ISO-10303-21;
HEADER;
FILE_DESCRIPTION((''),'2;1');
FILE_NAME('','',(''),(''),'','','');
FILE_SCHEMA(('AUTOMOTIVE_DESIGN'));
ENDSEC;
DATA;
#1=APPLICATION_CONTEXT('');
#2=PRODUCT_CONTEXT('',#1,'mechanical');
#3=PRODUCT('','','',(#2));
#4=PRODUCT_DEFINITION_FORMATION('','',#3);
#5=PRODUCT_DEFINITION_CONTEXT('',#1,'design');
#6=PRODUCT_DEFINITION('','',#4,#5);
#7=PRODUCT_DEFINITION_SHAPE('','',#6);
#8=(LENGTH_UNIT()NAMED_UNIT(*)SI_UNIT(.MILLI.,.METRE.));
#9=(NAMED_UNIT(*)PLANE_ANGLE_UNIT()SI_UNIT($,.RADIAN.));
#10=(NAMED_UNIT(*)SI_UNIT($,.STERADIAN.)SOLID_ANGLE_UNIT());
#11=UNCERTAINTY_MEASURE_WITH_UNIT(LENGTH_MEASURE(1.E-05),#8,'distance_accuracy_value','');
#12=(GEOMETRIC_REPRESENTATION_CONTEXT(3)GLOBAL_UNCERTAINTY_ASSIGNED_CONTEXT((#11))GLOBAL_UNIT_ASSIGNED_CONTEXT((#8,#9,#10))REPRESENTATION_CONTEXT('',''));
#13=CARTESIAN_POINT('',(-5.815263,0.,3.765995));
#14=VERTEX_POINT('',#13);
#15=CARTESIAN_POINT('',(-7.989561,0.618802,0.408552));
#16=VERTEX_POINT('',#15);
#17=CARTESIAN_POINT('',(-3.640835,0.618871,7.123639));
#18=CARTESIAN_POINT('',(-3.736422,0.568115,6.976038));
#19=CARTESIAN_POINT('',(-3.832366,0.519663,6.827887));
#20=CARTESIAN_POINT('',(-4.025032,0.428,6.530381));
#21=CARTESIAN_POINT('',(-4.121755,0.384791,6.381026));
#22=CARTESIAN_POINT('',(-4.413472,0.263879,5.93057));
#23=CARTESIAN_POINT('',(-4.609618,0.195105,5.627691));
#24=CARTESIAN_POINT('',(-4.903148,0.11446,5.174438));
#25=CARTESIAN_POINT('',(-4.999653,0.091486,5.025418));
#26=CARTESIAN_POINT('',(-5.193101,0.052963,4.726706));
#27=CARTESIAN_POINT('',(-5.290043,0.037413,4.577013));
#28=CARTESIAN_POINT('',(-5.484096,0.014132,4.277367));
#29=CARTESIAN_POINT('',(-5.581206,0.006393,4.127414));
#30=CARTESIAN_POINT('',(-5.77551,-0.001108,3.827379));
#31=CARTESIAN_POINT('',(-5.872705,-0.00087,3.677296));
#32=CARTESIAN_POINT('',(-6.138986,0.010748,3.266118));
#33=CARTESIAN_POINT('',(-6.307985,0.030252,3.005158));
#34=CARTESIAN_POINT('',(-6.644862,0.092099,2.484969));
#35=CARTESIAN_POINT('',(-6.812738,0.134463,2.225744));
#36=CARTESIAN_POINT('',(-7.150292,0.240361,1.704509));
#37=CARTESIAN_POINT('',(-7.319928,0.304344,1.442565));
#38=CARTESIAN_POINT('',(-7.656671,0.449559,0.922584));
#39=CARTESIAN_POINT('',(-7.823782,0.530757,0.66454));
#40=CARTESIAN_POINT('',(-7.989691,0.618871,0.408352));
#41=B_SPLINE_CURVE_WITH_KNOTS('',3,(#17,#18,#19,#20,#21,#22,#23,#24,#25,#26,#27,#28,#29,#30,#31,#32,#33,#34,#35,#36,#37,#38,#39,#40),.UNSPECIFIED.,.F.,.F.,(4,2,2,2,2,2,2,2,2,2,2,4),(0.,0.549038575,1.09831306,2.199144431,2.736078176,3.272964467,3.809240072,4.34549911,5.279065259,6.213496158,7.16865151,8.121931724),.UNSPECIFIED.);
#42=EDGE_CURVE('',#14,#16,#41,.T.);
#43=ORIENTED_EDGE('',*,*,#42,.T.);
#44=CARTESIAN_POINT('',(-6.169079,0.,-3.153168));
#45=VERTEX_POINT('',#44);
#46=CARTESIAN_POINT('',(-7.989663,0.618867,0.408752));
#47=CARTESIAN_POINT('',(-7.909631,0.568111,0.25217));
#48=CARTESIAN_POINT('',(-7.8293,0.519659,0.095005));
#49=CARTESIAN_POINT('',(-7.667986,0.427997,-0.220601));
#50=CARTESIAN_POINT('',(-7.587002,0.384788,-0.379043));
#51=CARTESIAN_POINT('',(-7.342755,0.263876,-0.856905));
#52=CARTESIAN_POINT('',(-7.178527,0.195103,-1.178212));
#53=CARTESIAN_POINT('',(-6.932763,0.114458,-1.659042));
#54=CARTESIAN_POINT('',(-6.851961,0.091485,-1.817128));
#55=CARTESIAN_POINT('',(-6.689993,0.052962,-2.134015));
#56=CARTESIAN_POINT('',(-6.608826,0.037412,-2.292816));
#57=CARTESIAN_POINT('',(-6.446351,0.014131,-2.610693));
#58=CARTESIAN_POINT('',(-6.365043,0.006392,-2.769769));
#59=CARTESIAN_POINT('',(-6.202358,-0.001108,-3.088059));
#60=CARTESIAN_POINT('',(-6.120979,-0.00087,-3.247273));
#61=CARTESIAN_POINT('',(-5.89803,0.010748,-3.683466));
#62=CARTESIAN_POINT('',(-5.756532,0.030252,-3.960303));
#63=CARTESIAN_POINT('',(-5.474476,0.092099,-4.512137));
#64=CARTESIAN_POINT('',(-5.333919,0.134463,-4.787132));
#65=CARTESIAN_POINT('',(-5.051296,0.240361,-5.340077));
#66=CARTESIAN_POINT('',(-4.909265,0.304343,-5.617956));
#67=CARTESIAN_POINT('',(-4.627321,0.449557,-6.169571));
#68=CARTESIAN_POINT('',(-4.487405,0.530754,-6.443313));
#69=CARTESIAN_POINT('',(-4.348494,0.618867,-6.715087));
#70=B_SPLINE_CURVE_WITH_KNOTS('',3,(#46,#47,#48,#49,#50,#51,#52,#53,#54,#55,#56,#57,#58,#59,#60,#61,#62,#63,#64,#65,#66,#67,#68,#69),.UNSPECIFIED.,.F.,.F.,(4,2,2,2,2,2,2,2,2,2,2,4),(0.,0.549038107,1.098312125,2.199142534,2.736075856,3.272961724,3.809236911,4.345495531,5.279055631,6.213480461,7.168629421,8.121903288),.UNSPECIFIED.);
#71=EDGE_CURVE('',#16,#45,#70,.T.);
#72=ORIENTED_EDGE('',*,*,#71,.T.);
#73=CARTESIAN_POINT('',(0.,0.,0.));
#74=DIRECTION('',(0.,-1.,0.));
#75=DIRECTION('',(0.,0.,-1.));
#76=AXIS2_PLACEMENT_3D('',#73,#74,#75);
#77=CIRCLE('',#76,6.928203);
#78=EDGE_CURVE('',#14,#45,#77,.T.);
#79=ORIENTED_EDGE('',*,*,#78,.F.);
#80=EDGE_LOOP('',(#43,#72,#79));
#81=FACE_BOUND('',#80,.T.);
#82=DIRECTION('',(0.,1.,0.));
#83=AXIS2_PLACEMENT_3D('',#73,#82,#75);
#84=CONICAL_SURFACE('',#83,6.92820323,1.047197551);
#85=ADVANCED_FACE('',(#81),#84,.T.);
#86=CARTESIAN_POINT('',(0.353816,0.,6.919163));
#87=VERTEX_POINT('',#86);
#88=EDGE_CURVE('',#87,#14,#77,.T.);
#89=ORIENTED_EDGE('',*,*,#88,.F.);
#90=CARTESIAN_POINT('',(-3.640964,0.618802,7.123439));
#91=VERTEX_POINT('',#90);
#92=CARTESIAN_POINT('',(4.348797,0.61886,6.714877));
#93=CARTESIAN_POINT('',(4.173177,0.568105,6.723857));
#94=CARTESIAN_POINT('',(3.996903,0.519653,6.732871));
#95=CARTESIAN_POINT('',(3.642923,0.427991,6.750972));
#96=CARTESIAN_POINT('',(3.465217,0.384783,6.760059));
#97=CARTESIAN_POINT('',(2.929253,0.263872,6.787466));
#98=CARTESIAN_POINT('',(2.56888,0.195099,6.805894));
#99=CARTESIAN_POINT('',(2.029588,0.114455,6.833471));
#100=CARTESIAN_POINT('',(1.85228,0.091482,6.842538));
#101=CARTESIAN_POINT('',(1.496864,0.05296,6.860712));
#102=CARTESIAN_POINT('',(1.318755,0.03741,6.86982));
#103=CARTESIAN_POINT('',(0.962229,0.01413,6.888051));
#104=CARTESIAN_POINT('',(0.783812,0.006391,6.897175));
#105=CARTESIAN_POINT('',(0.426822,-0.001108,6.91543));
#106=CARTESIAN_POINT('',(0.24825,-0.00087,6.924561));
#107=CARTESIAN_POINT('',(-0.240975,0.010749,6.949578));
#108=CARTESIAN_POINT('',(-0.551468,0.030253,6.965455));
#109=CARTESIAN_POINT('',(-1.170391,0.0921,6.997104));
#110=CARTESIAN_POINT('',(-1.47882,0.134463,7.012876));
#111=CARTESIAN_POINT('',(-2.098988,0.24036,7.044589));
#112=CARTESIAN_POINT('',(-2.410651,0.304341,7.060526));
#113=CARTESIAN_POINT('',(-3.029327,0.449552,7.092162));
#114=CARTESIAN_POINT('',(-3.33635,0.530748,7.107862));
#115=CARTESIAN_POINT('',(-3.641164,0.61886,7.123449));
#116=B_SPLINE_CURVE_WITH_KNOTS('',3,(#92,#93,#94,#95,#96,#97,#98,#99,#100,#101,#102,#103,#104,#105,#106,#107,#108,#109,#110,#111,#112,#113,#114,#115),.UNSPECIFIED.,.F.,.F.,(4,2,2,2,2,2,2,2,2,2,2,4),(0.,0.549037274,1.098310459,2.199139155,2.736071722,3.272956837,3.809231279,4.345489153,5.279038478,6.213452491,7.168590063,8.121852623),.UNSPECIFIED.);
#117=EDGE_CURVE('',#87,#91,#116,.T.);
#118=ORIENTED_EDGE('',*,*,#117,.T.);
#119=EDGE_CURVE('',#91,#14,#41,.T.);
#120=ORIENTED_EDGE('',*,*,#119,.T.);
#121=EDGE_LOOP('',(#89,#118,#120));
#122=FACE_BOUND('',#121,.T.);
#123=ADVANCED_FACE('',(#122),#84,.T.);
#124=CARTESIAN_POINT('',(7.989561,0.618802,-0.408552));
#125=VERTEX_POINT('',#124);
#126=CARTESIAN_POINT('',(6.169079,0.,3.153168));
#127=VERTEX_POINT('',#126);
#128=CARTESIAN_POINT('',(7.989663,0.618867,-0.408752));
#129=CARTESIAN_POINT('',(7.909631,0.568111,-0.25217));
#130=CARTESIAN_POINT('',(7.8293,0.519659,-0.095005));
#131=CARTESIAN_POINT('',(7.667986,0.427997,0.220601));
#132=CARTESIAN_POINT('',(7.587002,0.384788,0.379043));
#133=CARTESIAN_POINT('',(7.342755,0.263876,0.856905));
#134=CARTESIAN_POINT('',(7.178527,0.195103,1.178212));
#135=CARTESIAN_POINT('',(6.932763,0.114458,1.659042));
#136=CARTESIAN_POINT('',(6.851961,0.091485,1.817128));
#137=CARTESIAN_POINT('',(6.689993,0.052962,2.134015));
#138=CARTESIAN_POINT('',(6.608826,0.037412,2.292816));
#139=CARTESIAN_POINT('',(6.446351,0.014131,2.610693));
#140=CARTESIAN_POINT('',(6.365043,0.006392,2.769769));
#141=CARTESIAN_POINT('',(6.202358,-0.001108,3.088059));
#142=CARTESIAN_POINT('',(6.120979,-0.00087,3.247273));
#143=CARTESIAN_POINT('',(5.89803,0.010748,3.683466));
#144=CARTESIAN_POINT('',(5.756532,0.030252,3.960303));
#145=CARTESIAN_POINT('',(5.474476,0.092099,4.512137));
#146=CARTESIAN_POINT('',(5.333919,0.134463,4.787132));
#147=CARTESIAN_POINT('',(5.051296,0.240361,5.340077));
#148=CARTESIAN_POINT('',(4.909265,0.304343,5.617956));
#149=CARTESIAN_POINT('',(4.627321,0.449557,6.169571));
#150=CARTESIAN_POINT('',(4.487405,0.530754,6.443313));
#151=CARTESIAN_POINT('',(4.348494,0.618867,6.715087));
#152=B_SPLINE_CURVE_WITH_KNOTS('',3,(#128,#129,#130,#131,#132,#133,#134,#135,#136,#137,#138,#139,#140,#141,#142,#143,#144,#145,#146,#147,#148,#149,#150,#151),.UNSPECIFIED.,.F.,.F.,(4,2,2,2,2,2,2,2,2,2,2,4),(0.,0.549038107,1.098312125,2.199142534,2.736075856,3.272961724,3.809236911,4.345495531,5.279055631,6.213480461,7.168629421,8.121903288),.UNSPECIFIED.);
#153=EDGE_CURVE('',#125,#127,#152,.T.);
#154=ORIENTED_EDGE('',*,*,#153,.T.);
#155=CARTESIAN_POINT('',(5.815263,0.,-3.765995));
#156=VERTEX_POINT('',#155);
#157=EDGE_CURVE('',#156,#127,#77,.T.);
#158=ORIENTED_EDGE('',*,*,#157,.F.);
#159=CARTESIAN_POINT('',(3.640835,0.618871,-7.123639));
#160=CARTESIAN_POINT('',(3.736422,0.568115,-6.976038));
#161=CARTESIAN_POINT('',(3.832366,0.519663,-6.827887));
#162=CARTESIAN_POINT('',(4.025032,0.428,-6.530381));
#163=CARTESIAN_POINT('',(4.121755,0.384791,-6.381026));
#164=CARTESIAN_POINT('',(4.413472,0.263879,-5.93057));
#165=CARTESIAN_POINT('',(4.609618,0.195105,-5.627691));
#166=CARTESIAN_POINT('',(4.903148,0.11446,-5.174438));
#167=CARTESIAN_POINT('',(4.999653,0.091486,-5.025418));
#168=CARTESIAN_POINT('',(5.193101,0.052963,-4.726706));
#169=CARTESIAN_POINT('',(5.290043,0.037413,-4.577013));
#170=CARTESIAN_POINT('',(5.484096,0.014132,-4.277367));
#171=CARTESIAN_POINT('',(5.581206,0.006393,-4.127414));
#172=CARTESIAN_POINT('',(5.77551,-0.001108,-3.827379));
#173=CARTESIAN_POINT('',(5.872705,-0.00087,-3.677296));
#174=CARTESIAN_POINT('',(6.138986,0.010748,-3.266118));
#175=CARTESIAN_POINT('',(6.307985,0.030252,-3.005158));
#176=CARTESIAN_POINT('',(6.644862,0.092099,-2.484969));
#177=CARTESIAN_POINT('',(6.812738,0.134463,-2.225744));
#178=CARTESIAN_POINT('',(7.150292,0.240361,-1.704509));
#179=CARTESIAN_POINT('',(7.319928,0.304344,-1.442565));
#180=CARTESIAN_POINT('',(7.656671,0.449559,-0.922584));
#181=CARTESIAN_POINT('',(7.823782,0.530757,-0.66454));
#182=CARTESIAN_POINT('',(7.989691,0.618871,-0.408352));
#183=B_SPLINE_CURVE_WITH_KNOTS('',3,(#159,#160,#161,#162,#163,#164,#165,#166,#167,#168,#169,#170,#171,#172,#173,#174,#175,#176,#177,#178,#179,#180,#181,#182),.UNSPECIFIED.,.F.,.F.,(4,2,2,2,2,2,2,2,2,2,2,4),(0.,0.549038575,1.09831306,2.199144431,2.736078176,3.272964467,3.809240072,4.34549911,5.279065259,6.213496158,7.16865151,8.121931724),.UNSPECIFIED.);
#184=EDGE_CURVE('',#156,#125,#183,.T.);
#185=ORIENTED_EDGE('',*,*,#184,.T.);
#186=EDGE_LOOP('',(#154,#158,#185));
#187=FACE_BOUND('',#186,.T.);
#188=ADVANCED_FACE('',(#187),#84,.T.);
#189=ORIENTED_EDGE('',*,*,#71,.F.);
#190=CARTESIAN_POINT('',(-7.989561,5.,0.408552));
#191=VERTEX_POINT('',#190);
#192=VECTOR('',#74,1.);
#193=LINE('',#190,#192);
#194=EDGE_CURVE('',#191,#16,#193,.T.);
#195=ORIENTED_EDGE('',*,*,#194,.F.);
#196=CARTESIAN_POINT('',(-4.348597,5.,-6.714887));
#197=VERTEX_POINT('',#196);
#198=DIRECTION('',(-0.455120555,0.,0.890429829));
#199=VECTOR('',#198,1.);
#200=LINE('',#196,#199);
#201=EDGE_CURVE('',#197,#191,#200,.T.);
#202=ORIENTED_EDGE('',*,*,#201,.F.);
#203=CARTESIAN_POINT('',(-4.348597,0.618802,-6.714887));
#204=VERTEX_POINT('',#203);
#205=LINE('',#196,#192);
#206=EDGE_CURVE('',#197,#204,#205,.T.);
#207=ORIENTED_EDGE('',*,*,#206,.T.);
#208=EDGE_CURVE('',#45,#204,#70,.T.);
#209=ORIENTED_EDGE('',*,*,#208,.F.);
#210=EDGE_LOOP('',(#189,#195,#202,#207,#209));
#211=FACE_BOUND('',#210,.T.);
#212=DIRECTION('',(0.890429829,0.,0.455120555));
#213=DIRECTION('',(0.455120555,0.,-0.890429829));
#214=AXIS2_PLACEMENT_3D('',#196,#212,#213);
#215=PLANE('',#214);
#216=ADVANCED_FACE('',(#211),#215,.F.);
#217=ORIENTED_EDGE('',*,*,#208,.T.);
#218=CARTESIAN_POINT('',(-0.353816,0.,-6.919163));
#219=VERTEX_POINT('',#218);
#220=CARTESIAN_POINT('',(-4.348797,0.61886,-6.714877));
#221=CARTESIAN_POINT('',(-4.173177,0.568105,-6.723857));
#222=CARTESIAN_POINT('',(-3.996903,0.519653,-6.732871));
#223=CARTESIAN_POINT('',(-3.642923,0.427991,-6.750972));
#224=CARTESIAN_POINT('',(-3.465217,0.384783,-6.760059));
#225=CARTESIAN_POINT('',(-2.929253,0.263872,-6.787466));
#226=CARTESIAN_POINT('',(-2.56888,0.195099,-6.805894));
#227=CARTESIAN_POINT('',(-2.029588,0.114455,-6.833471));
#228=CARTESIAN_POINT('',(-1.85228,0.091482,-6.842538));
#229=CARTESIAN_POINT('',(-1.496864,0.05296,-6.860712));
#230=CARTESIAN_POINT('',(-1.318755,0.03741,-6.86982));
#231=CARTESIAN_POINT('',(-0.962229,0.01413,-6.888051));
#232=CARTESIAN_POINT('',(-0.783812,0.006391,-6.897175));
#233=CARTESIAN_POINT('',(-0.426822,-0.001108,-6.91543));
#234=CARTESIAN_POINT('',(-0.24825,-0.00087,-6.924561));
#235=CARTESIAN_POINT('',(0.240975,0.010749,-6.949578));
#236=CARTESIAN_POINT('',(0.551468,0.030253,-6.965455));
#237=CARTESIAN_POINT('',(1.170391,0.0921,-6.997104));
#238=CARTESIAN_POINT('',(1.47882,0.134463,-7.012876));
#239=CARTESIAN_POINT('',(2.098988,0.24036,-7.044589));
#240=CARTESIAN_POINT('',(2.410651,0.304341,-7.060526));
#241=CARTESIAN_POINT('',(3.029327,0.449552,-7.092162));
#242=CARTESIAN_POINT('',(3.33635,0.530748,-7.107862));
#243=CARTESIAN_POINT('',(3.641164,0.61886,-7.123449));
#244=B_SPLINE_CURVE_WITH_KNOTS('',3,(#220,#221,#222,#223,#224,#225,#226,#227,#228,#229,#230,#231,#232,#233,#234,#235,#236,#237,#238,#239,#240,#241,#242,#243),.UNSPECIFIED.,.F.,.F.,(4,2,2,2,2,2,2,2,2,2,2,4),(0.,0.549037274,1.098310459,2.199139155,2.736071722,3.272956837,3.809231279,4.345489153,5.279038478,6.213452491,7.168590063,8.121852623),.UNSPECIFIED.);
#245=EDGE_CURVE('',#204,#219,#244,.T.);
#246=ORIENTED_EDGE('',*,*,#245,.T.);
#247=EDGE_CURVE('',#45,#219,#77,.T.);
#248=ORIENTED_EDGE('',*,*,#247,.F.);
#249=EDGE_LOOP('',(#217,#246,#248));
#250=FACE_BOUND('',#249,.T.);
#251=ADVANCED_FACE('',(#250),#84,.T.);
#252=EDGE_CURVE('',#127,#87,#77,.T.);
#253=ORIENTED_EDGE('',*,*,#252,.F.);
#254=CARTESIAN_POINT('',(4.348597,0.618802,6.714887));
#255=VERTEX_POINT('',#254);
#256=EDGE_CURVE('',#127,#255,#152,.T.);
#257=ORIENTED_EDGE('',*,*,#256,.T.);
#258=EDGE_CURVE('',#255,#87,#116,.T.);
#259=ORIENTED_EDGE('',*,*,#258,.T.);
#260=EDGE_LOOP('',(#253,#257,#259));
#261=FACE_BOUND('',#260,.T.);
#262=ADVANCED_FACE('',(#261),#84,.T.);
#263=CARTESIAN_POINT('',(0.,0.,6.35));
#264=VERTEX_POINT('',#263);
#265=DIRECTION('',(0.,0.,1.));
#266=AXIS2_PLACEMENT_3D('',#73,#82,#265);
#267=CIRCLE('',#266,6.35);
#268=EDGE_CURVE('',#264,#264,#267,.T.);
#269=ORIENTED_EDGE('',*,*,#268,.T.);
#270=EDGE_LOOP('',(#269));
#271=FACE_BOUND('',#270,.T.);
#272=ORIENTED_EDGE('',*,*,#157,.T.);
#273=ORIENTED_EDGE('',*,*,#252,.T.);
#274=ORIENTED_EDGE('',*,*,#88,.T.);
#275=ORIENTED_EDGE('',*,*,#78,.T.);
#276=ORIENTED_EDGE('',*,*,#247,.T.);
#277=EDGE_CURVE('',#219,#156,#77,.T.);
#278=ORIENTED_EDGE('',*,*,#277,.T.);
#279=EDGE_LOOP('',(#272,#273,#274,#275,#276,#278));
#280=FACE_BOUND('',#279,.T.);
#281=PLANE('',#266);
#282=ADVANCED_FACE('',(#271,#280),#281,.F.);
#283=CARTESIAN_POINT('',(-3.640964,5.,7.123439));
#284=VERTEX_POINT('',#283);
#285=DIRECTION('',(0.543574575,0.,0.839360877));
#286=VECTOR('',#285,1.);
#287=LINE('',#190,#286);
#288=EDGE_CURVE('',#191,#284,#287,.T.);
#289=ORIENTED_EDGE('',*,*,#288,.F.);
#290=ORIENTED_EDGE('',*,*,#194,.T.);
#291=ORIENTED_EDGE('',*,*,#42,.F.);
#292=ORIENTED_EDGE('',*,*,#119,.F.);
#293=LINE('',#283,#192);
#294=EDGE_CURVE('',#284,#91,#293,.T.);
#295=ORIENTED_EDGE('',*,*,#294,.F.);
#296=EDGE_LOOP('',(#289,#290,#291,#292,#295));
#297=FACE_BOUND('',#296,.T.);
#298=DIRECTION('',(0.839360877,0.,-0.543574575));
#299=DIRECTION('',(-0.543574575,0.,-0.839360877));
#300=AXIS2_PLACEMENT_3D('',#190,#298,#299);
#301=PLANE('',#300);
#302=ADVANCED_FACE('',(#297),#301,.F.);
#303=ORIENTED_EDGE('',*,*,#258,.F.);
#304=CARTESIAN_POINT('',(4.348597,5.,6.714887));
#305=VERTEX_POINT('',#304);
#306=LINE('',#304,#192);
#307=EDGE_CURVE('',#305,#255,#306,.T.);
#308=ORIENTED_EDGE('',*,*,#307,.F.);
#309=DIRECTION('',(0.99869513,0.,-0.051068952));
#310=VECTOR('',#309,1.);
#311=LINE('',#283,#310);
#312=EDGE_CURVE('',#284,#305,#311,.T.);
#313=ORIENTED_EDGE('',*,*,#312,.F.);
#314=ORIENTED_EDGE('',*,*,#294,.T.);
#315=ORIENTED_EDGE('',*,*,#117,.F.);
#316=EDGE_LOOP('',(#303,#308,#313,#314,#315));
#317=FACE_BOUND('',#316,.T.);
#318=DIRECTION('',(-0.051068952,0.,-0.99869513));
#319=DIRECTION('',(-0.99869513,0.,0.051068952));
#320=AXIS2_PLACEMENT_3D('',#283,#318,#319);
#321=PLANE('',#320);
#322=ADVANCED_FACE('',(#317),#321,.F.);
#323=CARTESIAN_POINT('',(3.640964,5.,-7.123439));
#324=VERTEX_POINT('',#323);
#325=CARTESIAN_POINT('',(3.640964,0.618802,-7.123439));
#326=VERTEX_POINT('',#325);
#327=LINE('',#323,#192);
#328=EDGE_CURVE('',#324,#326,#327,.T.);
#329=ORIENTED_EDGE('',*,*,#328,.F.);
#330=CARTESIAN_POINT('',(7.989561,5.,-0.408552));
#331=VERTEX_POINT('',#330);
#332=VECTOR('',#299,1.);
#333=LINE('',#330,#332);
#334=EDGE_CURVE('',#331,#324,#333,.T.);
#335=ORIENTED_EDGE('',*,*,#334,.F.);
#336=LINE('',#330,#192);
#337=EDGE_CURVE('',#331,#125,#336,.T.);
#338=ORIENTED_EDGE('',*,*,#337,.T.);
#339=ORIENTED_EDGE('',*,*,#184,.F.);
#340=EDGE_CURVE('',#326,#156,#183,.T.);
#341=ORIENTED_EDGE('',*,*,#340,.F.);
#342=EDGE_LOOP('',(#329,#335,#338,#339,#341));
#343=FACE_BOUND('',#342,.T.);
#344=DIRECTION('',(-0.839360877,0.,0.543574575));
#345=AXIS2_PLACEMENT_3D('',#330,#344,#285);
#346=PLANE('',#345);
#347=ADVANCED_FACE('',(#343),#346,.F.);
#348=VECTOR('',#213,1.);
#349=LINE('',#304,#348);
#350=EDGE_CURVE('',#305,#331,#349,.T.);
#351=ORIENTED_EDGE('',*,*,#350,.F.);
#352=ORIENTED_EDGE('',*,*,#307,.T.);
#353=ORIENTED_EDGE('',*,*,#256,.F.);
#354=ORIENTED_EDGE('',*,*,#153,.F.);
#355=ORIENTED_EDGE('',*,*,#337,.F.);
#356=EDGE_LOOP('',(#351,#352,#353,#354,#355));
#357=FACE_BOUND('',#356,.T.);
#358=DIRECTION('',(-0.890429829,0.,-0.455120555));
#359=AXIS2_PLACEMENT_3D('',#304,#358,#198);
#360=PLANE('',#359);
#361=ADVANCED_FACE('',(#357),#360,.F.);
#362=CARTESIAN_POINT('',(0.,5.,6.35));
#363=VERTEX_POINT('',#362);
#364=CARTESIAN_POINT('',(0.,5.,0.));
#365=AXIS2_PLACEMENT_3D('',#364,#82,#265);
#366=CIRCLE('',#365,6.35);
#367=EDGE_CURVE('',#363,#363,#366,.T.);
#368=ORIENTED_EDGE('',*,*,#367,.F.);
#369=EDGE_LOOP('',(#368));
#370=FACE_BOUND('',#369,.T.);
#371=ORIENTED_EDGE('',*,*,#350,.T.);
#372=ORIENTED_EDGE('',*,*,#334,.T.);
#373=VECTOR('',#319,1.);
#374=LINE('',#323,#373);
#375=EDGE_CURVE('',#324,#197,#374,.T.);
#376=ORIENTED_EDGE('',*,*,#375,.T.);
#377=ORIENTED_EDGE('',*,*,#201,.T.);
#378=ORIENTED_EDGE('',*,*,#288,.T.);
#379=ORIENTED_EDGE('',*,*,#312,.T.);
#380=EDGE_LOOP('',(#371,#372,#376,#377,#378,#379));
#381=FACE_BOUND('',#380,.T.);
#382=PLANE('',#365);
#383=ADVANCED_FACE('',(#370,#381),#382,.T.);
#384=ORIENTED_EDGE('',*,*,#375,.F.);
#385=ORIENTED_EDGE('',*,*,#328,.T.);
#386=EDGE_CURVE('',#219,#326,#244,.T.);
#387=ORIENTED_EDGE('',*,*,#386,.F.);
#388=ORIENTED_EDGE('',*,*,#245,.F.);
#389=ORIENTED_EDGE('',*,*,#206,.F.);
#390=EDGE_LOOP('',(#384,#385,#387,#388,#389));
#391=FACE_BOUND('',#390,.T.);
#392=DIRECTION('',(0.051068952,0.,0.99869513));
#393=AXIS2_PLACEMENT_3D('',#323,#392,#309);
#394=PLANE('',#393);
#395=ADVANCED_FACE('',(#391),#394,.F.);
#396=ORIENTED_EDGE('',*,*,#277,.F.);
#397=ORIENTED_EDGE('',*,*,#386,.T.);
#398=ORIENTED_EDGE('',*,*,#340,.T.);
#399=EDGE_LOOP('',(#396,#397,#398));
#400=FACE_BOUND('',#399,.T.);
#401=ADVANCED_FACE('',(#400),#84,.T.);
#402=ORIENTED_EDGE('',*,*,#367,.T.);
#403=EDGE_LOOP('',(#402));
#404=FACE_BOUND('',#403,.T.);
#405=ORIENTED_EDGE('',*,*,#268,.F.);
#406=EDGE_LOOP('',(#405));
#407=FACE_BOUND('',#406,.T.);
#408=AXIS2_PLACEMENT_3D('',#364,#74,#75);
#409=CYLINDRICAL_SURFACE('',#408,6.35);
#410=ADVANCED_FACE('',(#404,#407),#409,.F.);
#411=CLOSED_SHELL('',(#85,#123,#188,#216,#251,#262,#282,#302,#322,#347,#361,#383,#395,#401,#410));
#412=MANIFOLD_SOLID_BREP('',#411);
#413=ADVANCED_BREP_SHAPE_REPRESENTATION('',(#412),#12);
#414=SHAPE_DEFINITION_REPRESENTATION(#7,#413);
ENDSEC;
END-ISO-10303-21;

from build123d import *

# Parameters (mm, degrees)
SKETCH4_R           = 6.35
BOSS_EXTRUDE1_DEPTH = 5
SKETCH9_OUTSIDE_W   = 43.162
SKETCH9_OUTSIDE_H   = 41.428
SKETCH9_OUTSIDE_R   = 6.92820323
CUT_EXTRUDE1_DEPTH  = 6
CUT_EXTRUDE1_TAPER  = 60


with BuildPart() as part:
    # Sketch4 → Boss-Extrude1 (new body)
    with BuildSketch(Plane(origin=(0, 0, 0), x_dir=(1, 0, 0), z_dir=(0, 1, 0))):
        Polygon((3.640964438, 7.123438633), (-4.348596599, 6.714887014), (-7.989561038, -0.408551619), (-3.640964438, -7.123438633), (4.348596599, -6.714887014), (7.989561038, 0.408551619), align=None)
        Circle(SKETCH4_R, mode=Mode.SUBTRACT)
    extrude(amount=BOSS_EXTRUDE1_DEPTH)

    # Sketch9 outside → Cut-Extrude1 (cut, through all)
    with BuildSketch(Plane.XZ):
        Rectangle(SKETCH9_OUTSIDE_W, SKETCH9_OUTSIDE_H)
        Circle(SKETCH9_OUTSIDE_R, mode=Mode.SUBTRACT)
    extrude(amount=-CUT_EXTRUDE1_DEPTH, taper=CUT_EXTRUDE1_TAPER, mode=Mode.SUBTRACT)


solid = part.part
